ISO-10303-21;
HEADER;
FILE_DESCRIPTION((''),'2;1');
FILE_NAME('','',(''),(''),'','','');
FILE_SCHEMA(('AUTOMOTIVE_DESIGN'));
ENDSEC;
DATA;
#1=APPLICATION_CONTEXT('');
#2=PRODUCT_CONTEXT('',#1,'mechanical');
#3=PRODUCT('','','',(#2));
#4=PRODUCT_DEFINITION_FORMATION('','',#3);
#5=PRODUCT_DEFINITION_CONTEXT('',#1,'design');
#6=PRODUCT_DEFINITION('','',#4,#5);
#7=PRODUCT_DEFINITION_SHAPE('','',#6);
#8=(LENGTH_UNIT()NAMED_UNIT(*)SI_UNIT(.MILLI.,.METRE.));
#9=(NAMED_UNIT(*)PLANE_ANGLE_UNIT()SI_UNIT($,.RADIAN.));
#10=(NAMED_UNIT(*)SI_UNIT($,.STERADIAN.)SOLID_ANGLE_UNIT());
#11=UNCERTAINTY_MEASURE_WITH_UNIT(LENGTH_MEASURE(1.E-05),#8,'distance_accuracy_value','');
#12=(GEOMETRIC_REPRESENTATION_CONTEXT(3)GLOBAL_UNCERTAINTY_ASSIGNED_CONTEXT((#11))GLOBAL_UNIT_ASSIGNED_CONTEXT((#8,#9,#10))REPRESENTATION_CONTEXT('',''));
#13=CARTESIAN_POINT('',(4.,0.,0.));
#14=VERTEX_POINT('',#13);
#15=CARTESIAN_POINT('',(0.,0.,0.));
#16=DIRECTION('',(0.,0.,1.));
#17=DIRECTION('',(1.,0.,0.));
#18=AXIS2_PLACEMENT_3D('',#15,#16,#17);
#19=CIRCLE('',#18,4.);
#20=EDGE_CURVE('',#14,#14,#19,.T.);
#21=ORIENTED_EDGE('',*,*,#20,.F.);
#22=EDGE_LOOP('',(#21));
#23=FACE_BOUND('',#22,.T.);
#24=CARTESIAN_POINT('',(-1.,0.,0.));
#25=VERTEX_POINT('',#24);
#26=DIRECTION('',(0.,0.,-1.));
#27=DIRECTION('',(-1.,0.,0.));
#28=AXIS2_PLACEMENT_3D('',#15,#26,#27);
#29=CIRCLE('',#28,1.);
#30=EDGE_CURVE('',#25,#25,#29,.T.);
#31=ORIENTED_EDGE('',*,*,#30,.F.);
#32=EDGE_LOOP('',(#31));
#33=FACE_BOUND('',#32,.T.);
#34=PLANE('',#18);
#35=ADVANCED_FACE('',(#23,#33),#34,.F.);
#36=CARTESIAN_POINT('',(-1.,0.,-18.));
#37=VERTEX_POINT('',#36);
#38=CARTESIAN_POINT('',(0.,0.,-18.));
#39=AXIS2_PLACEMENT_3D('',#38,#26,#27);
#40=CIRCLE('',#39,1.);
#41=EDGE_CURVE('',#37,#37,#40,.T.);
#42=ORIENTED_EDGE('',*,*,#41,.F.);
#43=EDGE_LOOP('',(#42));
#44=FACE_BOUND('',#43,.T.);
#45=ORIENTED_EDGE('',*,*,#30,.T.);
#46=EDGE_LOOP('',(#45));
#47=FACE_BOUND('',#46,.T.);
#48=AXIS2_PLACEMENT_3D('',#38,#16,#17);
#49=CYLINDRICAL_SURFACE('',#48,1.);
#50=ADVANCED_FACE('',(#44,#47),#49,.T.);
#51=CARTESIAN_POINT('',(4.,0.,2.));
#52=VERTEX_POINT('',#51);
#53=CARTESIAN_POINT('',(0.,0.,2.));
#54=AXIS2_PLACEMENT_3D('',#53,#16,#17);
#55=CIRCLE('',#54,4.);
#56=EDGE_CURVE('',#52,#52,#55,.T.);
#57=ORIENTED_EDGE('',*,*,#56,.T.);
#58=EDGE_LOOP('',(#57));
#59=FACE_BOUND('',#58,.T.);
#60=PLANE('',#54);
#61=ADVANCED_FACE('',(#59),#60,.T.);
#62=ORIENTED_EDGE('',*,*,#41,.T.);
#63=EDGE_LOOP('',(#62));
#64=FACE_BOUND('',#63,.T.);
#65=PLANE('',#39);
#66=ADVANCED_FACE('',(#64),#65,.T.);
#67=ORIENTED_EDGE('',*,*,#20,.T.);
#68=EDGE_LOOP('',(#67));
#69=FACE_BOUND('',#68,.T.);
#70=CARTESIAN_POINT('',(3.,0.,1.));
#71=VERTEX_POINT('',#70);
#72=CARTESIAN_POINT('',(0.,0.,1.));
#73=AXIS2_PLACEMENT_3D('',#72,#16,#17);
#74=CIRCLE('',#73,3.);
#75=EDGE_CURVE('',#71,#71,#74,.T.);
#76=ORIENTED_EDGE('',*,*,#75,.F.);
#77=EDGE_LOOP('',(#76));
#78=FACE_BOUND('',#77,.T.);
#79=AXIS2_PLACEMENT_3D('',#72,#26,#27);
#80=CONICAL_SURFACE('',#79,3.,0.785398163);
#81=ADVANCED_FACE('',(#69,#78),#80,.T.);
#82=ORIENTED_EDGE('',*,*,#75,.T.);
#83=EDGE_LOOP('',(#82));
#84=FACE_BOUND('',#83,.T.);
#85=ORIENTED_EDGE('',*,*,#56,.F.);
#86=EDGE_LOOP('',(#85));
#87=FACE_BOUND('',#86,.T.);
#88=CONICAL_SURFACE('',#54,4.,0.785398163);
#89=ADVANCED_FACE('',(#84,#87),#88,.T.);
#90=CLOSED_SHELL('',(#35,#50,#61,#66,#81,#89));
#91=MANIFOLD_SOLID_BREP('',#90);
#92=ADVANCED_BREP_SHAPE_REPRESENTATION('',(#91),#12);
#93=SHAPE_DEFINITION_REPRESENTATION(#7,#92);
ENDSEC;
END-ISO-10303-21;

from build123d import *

# Parameters (mm, degrees)
SKETCH1_R           = 4
BOSS_EXTRUDE1_DEPTH = 2
SKETCH2_R           = 1
BOSS_EXTRUDE2_DEPTH = 18


with BuildPart() as part:
    # Sketch1 → Boss-Extrude1 (new body)
    with BuildSketch(Plane.XY):
        Circle(SKETCH1_R)
    extrude(amount=BOSS_EXTRUDE1_DEPTH)

    # Sketch2 → Boss-Extrude2 (add)
    with BuildSketch(Plane(origin=(0, 0, 0), x_dir=(-1, 0, 0), z_dir=(0, 0, -1))):
        Circle(SKETCH2_R)
    extrude(amount=BOSS_EXTRUDE2_DEPTH)

    # Sketch3 → Cut-Revolve1 (revolve, cut)
    with BuildSketch(Plane(origin=(0, 0, 0), x_dir=(0, 0, -1), z_dir=(1, 0, 0))):
        Polygon((-2, 4), (-1, 3), (0, 4), align=None)
    revolve(axis=Axis((0, 0, 3.115097116), (0, 0, -1)), mode=Mode.SUBTRACT)


solid = part.part
